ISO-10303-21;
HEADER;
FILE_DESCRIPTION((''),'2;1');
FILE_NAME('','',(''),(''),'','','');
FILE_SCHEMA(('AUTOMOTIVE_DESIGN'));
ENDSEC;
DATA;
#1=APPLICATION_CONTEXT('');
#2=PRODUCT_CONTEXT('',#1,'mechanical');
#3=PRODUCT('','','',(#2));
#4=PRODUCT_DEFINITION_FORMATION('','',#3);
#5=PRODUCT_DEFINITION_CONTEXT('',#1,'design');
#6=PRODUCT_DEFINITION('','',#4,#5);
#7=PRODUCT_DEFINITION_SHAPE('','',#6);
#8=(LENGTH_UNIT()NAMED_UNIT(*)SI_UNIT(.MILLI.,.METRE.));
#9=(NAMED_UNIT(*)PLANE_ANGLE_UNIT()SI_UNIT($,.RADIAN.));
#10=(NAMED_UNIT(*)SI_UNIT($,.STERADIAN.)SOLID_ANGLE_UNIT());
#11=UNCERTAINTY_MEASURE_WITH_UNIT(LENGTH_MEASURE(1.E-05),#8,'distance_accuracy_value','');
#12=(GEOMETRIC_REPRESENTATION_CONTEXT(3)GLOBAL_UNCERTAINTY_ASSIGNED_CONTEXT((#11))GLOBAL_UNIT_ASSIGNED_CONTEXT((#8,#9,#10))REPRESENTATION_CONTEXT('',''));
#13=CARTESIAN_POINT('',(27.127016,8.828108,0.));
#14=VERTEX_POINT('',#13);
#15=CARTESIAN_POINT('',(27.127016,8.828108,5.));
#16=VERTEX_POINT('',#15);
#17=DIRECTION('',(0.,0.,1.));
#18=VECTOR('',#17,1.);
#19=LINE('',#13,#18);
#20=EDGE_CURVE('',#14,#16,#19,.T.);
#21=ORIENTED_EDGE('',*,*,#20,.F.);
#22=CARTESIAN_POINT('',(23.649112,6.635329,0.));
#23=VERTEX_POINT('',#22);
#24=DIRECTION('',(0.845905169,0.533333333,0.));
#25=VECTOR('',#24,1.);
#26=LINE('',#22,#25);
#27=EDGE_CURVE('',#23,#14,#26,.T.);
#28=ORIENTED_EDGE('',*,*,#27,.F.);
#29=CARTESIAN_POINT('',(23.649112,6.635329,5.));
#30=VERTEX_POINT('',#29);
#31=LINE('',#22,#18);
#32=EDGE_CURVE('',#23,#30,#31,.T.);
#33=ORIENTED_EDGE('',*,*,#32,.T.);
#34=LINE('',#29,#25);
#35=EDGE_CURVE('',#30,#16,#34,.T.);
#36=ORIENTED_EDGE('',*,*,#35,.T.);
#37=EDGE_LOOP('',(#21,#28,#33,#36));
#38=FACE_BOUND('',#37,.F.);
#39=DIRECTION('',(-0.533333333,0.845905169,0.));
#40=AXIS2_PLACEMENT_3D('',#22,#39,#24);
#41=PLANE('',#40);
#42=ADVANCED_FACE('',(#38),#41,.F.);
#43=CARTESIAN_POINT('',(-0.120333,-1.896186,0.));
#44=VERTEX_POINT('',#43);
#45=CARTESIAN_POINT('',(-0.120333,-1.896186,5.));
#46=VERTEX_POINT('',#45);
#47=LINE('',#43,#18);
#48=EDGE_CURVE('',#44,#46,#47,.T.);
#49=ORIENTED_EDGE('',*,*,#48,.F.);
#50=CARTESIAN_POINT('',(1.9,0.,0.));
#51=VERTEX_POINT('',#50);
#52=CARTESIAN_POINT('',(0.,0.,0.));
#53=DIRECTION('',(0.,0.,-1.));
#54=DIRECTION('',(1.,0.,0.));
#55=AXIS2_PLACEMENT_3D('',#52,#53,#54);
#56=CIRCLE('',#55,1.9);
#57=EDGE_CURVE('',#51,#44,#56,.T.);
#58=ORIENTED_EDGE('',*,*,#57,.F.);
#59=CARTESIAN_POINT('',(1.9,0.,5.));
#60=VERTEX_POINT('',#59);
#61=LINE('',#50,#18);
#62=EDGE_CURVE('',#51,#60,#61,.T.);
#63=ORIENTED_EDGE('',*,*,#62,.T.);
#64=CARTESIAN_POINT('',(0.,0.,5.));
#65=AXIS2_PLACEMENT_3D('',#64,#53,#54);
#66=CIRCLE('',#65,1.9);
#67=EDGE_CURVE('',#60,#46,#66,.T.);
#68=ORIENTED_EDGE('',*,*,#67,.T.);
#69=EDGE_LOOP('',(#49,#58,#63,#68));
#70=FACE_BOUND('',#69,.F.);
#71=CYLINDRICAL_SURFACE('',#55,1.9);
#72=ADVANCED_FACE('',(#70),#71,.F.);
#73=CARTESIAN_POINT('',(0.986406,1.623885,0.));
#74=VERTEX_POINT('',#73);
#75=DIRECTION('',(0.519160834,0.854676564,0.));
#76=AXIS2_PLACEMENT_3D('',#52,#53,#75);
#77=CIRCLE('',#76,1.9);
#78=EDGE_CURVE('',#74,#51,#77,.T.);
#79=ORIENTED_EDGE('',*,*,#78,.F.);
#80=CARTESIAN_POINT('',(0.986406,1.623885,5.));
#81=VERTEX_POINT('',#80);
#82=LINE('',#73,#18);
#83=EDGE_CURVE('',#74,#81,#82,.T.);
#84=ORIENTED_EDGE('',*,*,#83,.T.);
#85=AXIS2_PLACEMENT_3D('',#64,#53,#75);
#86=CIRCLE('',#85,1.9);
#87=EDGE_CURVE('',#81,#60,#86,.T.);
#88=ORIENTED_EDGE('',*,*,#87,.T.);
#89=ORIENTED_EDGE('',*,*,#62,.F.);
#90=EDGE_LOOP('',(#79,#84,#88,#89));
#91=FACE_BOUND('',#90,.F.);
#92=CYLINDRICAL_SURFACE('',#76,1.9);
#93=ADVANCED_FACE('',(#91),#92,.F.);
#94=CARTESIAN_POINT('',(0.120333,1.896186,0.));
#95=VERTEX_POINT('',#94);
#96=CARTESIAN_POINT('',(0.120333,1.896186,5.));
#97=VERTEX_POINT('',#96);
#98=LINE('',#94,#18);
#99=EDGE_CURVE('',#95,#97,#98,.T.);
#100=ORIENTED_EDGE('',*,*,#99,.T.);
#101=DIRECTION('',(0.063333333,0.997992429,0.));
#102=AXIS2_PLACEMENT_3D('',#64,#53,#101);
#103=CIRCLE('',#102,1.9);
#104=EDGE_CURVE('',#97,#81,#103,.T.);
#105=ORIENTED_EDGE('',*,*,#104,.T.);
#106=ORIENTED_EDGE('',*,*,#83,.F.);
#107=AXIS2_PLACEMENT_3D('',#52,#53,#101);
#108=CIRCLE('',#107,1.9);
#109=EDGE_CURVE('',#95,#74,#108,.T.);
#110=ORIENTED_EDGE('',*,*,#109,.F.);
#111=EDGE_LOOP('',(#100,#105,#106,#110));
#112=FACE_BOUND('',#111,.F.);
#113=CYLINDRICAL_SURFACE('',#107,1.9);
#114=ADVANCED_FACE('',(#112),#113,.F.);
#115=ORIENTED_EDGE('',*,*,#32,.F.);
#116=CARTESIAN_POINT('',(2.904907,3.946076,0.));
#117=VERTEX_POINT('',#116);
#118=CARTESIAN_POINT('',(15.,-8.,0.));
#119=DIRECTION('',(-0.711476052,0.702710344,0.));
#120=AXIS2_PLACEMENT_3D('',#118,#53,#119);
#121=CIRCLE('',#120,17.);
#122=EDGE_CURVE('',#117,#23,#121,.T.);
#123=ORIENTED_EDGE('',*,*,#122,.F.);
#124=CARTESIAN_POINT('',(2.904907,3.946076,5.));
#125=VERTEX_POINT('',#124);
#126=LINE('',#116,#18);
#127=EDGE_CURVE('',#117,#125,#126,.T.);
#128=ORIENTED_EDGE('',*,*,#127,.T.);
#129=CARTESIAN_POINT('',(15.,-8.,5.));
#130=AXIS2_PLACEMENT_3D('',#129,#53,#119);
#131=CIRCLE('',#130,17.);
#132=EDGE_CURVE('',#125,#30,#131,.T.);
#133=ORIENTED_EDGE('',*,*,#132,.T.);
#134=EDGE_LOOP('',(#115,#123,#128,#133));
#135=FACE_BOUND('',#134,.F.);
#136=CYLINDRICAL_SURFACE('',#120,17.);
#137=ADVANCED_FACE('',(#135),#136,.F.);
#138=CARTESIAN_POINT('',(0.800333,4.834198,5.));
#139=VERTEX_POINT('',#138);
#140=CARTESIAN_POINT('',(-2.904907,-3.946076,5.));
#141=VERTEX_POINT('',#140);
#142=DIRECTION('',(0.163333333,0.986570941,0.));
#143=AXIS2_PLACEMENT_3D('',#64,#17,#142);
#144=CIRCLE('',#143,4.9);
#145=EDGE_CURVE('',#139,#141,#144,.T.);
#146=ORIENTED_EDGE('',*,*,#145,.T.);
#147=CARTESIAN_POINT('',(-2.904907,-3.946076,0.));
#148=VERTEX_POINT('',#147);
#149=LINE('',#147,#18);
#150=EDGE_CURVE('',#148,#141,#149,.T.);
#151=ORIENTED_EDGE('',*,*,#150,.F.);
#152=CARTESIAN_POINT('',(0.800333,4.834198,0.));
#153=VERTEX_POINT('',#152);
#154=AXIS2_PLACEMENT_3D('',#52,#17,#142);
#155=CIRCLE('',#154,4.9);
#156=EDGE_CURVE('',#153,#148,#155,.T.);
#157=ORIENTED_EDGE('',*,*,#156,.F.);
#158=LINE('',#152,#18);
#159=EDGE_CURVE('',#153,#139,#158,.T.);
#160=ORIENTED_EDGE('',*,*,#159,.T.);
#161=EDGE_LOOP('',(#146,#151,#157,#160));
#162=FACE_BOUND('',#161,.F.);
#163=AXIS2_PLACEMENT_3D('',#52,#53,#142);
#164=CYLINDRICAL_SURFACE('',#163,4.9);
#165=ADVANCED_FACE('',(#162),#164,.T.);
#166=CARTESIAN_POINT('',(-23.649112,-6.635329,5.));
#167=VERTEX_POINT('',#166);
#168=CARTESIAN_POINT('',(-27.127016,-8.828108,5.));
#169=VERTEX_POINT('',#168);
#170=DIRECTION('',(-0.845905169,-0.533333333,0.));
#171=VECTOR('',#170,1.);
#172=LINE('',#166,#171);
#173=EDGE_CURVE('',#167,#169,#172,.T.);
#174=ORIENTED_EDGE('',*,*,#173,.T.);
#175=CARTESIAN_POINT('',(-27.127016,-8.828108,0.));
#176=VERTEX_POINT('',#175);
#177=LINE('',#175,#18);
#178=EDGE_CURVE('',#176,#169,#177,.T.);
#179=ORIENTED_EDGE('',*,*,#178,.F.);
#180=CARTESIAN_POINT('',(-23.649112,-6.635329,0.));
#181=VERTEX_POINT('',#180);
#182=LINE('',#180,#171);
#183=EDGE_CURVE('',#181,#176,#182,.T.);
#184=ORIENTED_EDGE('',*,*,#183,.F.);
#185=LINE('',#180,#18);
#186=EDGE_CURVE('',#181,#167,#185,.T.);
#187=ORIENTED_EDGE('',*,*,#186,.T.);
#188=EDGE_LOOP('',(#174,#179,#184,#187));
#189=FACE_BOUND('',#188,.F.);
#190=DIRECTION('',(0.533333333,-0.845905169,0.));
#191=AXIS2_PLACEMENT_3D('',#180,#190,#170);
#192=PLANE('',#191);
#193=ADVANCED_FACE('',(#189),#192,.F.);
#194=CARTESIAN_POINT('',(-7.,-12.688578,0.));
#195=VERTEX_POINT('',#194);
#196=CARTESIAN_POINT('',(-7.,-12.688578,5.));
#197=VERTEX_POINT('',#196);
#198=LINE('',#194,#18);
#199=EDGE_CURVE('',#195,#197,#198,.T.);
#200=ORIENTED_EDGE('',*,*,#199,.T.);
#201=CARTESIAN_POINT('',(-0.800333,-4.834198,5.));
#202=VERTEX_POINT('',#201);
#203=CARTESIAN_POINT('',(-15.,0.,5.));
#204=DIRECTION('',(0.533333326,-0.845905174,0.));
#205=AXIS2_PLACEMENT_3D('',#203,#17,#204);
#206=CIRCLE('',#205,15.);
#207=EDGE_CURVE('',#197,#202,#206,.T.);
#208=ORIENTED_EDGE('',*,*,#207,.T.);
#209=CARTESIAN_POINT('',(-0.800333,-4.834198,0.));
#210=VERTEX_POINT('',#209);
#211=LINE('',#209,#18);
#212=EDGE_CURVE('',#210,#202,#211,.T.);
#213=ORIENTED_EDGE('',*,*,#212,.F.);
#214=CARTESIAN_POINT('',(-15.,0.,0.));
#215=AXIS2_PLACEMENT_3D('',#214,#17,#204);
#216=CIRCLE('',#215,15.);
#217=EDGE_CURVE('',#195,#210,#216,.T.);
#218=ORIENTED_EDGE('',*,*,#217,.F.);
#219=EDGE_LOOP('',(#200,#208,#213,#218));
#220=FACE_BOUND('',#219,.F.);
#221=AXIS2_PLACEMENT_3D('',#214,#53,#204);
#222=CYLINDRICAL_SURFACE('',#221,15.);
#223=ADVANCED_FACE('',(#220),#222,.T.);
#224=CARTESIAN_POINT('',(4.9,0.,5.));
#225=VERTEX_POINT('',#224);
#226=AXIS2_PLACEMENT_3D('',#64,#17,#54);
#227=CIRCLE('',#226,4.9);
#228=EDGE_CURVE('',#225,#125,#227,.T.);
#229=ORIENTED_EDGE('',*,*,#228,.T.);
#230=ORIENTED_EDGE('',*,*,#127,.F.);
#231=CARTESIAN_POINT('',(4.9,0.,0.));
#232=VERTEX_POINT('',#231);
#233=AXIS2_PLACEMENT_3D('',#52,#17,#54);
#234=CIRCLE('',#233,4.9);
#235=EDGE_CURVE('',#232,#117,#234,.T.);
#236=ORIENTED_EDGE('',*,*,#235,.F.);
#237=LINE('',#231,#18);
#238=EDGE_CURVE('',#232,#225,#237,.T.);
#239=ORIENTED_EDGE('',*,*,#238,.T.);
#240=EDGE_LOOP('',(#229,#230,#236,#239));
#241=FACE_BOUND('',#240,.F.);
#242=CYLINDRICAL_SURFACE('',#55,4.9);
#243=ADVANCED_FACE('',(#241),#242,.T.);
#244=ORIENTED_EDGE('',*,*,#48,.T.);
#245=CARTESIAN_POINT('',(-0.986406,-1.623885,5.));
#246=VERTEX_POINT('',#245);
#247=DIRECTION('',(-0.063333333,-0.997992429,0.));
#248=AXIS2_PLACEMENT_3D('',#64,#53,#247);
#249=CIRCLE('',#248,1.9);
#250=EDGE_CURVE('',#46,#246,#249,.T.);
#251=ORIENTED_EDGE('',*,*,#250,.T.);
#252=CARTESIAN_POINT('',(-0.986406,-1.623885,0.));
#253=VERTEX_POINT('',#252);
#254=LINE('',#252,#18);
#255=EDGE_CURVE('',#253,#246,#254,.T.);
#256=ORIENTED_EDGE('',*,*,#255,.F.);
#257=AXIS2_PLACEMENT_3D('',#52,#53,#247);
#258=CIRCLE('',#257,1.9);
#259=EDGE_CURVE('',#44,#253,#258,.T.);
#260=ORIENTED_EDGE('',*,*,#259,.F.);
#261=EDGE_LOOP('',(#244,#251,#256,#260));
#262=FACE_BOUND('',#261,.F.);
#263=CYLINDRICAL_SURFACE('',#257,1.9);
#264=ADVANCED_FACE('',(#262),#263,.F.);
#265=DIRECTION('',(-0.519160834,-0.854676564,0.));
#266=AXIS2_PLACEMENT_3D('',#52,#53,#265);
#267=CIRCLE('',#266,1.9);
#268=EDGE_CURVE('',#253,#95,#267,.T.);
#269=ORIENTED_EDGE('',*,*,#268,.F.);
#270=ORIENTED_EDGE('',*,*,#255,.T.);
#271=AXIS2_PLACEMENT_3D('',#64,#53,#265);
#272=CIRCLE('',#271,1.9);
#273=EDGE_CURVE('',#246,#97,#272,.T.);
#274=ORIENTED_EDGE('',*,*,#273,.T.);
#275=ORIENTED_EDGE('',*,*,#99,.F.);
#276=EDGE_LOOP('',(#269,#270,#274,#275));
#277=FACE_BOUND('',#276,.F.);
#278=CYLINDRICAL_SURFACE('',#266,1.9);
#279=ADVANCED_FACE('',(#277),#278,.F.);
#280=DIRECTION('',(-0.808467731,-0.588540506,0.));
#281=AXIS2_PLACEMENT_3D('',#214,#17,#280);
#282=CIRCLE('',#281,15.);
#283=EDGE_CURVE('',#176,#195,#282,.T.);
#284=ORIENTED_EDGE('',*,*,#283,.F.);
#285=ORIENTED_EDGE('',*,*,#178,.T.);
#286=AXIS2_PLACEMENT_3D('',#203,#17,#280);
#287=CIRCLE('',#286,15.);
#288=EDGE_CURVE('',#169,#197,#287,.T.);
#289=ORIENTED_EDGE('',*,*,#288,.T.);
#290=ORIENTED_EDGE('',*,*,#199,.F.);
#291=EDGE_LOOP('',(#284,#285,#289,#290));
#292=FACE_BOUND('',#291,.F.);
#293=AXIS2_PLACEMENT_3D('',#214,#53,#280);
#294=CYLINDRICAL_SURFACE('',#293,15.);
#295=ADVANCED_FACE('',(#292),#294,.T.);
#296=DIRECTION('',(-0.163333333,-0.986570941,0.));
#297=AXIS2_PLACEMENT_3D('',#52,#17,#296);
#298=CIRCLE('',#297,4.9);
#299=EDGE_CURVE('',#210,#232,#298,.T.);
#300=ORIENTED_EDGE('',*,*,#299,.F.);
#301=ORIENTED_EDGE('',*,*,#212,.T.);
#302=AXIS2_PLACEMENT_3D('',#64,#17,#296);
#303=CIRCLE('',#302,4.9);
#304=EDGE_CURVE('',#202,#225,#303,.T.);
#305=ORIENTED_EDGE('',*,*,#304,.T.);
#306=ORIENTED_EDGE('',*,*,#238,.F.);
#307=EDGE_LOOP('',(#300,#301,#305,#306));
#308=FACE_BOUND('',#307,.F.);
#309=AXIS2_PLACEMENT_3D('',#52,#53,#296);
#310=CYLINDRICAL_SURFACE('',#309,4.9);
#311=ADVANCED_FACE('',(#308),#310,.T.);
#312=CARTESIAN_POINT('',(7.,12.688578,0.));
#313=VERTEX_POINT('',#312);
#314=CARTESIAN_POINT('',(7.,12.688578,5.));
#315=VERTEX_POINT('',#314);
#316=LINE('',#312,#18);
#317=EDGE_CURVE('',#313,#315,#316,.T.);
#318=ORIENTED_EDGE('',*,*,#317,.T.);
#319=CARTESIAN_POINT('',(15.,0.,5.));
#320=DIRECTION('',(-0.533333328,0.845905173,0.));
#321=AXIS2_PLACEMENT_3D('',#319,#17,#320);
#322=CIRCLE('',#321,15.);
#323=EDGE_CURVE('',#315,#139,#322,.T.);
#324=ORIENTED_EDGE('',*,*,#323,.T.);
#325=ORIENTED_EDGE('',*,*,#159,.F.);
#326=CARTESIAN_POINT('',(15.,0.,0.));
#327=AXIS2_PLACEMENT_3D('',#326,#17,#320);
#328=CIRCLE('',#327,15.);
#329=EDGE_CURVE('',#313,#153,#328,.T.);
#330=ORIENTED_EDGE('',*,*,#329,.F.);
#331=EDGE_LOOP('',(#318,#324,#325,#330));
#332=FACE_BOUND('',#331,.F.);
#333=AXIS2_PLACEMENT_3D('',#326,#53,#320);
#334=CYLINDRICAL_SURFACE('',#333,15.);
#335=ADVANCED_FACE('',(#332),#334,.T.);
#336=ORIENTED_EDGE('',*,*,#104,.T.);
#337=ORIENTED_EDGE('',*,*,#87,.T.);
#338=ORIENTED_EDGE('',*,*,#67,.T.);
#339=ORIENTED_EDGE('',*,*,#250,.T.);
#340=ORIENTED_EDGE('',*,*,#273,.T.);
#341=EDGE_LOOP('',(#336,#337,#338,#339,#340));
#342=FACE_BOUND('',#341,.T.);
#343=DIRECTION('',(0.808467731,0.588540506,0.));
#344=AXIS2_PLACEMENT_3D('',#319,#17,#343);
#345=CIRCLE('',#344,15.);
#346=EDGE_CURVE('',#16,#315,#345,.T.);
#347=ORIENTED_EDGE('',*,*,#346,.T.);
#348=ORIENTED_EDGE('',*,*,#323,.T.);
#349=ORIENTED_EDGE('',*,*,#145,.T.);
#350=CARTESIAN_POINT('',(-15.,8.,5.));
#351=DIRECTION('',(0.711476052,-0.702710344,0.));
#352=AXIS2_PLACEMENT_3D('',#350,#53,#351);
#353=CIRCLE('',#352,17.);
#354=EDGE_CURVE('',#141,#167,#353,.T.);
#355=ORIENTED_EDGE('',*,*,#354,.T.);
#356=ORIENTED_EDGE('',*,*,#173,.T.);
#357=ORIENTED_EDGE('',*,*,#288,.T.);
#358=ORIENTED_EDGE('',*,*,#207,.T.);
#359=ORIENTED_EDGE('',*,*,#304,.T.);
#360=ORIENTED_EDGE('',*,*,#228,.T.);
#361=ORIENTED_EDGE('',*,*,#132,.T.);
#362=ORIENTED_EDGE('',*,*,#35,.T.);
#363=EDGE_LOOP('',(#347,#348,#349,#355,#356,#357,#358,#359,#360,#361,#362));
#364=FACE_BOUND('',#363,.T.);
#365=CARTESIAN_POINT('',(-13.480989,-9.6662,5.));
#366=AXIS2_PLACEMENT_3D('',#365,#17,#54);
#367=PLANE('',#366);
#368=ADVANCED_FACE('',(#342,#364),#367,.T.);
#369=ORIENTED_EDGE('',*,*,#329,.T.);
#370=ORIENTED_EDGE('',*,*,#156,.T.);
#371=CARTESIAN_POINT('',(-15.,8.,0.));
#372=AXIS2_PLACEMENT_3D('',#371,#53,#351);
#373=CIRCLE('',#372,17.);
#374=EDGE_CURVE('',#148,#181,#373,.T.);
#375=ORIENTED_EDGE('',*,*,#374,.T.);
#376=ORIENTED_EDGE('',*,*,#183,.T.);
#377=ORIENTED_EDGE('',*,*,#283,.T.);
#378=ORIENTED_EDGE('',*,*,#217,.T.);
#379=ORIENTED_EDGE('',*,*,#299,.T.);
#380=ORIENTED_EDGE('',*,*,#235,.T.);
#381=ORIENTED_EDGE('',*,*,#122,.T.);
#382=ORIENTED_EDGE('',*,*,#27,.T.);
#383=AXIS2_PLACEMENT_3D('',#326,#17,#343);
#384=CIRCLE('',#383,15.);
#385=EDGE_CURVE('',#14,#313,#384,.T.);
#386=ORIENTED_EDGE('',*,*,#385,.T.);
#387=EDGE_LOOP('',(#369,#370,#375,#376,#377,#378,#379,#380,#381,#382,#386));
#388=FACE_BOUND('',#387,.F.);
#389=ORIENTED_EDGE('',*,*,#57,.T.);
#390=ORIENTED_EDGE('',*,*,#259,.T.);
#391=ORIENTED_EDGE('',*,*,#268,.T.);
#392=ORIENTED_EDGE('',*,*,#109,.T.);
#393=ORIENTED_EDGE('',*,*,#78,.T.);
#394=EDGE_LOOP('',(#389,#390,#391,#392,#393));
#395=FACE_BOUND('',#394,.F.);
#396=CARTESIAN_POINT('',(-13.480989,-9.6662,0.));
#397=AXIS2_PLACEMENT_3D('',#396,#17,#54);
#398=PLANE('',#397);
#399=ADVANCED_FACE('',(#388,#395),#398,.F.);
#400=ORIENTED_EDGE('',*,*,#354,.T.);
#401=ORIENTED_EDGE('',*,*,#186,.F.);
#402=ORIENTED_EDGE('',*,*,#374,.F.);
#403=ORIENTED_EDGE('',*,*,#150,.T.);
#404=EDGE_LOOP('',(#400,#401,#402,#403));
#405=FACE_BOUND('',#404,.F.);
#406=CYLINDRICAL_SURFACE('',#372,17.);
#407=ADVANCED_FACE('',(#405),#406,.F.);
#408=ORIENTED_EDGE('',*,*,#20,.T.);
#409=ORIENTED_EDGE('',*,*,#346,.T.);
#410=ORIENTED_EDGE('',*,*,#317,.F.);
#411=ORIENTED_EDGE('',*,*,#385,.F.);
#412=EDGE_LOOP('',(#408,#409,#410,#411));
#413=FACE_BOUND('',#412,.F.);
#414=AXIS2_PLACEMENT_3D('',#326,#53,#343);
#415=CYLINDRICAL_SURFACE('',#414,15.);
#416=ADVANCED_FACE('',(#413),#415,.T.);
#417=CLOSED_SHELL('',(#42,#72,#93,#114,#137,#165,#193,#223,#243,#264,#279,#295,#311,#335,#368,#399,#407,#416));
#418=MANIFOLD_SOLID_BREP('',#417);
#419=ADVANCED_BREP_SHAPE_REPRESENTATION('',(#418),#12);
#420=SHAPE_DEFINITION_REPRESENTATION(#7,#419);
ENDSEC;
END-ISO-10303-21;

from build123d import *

# Parameters (mm, degrees)
F1_DEPTH = 5


with BuildPart() as f1:
    # F0 (on Top) → F1 (new body)
    with BuildSketch(Plane.XY):
        with BuildLine():
            ThreePointArc((-7.0000001151, -12.688577613), (-3.2259131968, -9.2935934897), (-0.8003333333, -4.8341976124))
            ThreePointArc((-0.8003333333, -4.8341976124), (-1.9050962629, -4.5144887007), (-2.9049071205, -3.9460758509))
            ThreePointArc((-2.9049071205, -3.9460758509), (-12.814429581, -8.8589229177), (-23.6491115752, -6.635329479))
            Line((-23.6491115752, -6.635329479), (-27.1270159685, -8.8281075945))
            ThreePointArc((-27.1270159685, -8.8281075945), (-17.8255747432, -14.7314672511), (-7.0000001151, -12.688577613))
        make_face()
        with BuildLine():
            ThreePointArc((-0.8003333333, -4.8341976124), (-0.3863117112, -3.382323846), (-0.1203333333, -1.8961856156))
            ThreePointArc((-0.1203333333, -1.8961856156), (-0.5698724421, -1.8125245929), (-0.9864055845, -1.623885471))
            ThreePointArc((-0.9864055845, -1.623885471), (-1.8941223069, -2.8275560443), (-2.9049071205, -3.9460758509))
            ThreePointArc((-2.9049071205, -3.9460758509), (-1.9050962629, -4.5144887007), (-0.8003333333, -4.8341976124))
        make_face()
        with BuildLine():
            ThreePointArc((0.9864055845, 1.623885471), (1.6559243054, 0.9316193937), (1.9, 0))
            ThreePointArc((1.9, 0), (1.300262794, -1.3853940474), (-0.1203333333, -1.8961856156))
            ThreePointArc((-0.1203333333, -1.8961856156), (-0.3863117112, -3.382323846), (-0.8003333333, -4.8341976124))
            ThreePointArc((-0.8003333333, -4.8341976124), (3.1692559589, -3.737086655), (4.9, 0))
            ThreePointArc((4.9, 0), (4.3728734769, 2.2108771008), (2.9049071205, 3.9460758509))
            ThreePointArc((2.9049071205, 3.9460758509), (1.8941223069, 2.8275560443), (0.9864055845, 1.623885471))
        make_face()
        with BuildLine():
            ThreePointArc((-0.9864055845, -1.623885471), (-1.8125245929, 0.5698724421), (0.1203333333, 1.8961856156))
            ThreePointArc((0.1203333333, 1.8961856156), (0.3863117112, 3.382323846), (0.8003333333, 4.8341976124))
            ThreePointArc((0.8003333333, 4.8341976124), (-4.5144887007, 1.9050962629), (-2.9049071205, -3.9460758509))
            ThreePointArc((-2.9049071205, -3.9460758509), (-1.8941223069, -2.8275560443), (-0.9864055845, -1.623885471))
        make_face()
        with BuildLine():
            ThreePointArc((0.1203333333, 1.8961856156), (0.5698724421, 1.8125245929), (0.9864055845, 1.623885471))
            ThreePointArc((0.9864055845, 1.623885471), (1.8941223069, 2.8275560443), (2.9049071205, 3.9460758509))
            ThreePointArc((2.9049071205, 3.9460758509), (1.9050962629, 4.5144887007), (0.8003333333, 4.8341976124))
            ThreePointArc((0.8003333333, 4.8341976124), (0.3863117112, 3.382323846), (0.1203333333, 1.8961856156))
        make_face()
        with BuildLine():
            ThreePointArc((0.8003333333, 4.8341976124), (1.9050962629, 4.5144887007), (2.9049071205, 3.9460758509))
            ThreePointArc((2.9049071205, 3.9460758509), (12.814429581, 8.8589229177), (23.6491115752, 6.635329479))
            Line((23.6491115752, 6.635329479), (27.1270159685, 8.8281075945))
            ThreePointArc((27.1270159685, 8.8281075945), (17.8255747198, 14.7314672556), (7.0000000748, 12.6885775876))
            ThreePointArc((7.0000000748, 12.6885775876), (3.225913182, 9.2935934709), (0.8003333333, 4.8341976124))
        make_face()
    extrude(amount=F1_DEPTH)


solid = f1.part
